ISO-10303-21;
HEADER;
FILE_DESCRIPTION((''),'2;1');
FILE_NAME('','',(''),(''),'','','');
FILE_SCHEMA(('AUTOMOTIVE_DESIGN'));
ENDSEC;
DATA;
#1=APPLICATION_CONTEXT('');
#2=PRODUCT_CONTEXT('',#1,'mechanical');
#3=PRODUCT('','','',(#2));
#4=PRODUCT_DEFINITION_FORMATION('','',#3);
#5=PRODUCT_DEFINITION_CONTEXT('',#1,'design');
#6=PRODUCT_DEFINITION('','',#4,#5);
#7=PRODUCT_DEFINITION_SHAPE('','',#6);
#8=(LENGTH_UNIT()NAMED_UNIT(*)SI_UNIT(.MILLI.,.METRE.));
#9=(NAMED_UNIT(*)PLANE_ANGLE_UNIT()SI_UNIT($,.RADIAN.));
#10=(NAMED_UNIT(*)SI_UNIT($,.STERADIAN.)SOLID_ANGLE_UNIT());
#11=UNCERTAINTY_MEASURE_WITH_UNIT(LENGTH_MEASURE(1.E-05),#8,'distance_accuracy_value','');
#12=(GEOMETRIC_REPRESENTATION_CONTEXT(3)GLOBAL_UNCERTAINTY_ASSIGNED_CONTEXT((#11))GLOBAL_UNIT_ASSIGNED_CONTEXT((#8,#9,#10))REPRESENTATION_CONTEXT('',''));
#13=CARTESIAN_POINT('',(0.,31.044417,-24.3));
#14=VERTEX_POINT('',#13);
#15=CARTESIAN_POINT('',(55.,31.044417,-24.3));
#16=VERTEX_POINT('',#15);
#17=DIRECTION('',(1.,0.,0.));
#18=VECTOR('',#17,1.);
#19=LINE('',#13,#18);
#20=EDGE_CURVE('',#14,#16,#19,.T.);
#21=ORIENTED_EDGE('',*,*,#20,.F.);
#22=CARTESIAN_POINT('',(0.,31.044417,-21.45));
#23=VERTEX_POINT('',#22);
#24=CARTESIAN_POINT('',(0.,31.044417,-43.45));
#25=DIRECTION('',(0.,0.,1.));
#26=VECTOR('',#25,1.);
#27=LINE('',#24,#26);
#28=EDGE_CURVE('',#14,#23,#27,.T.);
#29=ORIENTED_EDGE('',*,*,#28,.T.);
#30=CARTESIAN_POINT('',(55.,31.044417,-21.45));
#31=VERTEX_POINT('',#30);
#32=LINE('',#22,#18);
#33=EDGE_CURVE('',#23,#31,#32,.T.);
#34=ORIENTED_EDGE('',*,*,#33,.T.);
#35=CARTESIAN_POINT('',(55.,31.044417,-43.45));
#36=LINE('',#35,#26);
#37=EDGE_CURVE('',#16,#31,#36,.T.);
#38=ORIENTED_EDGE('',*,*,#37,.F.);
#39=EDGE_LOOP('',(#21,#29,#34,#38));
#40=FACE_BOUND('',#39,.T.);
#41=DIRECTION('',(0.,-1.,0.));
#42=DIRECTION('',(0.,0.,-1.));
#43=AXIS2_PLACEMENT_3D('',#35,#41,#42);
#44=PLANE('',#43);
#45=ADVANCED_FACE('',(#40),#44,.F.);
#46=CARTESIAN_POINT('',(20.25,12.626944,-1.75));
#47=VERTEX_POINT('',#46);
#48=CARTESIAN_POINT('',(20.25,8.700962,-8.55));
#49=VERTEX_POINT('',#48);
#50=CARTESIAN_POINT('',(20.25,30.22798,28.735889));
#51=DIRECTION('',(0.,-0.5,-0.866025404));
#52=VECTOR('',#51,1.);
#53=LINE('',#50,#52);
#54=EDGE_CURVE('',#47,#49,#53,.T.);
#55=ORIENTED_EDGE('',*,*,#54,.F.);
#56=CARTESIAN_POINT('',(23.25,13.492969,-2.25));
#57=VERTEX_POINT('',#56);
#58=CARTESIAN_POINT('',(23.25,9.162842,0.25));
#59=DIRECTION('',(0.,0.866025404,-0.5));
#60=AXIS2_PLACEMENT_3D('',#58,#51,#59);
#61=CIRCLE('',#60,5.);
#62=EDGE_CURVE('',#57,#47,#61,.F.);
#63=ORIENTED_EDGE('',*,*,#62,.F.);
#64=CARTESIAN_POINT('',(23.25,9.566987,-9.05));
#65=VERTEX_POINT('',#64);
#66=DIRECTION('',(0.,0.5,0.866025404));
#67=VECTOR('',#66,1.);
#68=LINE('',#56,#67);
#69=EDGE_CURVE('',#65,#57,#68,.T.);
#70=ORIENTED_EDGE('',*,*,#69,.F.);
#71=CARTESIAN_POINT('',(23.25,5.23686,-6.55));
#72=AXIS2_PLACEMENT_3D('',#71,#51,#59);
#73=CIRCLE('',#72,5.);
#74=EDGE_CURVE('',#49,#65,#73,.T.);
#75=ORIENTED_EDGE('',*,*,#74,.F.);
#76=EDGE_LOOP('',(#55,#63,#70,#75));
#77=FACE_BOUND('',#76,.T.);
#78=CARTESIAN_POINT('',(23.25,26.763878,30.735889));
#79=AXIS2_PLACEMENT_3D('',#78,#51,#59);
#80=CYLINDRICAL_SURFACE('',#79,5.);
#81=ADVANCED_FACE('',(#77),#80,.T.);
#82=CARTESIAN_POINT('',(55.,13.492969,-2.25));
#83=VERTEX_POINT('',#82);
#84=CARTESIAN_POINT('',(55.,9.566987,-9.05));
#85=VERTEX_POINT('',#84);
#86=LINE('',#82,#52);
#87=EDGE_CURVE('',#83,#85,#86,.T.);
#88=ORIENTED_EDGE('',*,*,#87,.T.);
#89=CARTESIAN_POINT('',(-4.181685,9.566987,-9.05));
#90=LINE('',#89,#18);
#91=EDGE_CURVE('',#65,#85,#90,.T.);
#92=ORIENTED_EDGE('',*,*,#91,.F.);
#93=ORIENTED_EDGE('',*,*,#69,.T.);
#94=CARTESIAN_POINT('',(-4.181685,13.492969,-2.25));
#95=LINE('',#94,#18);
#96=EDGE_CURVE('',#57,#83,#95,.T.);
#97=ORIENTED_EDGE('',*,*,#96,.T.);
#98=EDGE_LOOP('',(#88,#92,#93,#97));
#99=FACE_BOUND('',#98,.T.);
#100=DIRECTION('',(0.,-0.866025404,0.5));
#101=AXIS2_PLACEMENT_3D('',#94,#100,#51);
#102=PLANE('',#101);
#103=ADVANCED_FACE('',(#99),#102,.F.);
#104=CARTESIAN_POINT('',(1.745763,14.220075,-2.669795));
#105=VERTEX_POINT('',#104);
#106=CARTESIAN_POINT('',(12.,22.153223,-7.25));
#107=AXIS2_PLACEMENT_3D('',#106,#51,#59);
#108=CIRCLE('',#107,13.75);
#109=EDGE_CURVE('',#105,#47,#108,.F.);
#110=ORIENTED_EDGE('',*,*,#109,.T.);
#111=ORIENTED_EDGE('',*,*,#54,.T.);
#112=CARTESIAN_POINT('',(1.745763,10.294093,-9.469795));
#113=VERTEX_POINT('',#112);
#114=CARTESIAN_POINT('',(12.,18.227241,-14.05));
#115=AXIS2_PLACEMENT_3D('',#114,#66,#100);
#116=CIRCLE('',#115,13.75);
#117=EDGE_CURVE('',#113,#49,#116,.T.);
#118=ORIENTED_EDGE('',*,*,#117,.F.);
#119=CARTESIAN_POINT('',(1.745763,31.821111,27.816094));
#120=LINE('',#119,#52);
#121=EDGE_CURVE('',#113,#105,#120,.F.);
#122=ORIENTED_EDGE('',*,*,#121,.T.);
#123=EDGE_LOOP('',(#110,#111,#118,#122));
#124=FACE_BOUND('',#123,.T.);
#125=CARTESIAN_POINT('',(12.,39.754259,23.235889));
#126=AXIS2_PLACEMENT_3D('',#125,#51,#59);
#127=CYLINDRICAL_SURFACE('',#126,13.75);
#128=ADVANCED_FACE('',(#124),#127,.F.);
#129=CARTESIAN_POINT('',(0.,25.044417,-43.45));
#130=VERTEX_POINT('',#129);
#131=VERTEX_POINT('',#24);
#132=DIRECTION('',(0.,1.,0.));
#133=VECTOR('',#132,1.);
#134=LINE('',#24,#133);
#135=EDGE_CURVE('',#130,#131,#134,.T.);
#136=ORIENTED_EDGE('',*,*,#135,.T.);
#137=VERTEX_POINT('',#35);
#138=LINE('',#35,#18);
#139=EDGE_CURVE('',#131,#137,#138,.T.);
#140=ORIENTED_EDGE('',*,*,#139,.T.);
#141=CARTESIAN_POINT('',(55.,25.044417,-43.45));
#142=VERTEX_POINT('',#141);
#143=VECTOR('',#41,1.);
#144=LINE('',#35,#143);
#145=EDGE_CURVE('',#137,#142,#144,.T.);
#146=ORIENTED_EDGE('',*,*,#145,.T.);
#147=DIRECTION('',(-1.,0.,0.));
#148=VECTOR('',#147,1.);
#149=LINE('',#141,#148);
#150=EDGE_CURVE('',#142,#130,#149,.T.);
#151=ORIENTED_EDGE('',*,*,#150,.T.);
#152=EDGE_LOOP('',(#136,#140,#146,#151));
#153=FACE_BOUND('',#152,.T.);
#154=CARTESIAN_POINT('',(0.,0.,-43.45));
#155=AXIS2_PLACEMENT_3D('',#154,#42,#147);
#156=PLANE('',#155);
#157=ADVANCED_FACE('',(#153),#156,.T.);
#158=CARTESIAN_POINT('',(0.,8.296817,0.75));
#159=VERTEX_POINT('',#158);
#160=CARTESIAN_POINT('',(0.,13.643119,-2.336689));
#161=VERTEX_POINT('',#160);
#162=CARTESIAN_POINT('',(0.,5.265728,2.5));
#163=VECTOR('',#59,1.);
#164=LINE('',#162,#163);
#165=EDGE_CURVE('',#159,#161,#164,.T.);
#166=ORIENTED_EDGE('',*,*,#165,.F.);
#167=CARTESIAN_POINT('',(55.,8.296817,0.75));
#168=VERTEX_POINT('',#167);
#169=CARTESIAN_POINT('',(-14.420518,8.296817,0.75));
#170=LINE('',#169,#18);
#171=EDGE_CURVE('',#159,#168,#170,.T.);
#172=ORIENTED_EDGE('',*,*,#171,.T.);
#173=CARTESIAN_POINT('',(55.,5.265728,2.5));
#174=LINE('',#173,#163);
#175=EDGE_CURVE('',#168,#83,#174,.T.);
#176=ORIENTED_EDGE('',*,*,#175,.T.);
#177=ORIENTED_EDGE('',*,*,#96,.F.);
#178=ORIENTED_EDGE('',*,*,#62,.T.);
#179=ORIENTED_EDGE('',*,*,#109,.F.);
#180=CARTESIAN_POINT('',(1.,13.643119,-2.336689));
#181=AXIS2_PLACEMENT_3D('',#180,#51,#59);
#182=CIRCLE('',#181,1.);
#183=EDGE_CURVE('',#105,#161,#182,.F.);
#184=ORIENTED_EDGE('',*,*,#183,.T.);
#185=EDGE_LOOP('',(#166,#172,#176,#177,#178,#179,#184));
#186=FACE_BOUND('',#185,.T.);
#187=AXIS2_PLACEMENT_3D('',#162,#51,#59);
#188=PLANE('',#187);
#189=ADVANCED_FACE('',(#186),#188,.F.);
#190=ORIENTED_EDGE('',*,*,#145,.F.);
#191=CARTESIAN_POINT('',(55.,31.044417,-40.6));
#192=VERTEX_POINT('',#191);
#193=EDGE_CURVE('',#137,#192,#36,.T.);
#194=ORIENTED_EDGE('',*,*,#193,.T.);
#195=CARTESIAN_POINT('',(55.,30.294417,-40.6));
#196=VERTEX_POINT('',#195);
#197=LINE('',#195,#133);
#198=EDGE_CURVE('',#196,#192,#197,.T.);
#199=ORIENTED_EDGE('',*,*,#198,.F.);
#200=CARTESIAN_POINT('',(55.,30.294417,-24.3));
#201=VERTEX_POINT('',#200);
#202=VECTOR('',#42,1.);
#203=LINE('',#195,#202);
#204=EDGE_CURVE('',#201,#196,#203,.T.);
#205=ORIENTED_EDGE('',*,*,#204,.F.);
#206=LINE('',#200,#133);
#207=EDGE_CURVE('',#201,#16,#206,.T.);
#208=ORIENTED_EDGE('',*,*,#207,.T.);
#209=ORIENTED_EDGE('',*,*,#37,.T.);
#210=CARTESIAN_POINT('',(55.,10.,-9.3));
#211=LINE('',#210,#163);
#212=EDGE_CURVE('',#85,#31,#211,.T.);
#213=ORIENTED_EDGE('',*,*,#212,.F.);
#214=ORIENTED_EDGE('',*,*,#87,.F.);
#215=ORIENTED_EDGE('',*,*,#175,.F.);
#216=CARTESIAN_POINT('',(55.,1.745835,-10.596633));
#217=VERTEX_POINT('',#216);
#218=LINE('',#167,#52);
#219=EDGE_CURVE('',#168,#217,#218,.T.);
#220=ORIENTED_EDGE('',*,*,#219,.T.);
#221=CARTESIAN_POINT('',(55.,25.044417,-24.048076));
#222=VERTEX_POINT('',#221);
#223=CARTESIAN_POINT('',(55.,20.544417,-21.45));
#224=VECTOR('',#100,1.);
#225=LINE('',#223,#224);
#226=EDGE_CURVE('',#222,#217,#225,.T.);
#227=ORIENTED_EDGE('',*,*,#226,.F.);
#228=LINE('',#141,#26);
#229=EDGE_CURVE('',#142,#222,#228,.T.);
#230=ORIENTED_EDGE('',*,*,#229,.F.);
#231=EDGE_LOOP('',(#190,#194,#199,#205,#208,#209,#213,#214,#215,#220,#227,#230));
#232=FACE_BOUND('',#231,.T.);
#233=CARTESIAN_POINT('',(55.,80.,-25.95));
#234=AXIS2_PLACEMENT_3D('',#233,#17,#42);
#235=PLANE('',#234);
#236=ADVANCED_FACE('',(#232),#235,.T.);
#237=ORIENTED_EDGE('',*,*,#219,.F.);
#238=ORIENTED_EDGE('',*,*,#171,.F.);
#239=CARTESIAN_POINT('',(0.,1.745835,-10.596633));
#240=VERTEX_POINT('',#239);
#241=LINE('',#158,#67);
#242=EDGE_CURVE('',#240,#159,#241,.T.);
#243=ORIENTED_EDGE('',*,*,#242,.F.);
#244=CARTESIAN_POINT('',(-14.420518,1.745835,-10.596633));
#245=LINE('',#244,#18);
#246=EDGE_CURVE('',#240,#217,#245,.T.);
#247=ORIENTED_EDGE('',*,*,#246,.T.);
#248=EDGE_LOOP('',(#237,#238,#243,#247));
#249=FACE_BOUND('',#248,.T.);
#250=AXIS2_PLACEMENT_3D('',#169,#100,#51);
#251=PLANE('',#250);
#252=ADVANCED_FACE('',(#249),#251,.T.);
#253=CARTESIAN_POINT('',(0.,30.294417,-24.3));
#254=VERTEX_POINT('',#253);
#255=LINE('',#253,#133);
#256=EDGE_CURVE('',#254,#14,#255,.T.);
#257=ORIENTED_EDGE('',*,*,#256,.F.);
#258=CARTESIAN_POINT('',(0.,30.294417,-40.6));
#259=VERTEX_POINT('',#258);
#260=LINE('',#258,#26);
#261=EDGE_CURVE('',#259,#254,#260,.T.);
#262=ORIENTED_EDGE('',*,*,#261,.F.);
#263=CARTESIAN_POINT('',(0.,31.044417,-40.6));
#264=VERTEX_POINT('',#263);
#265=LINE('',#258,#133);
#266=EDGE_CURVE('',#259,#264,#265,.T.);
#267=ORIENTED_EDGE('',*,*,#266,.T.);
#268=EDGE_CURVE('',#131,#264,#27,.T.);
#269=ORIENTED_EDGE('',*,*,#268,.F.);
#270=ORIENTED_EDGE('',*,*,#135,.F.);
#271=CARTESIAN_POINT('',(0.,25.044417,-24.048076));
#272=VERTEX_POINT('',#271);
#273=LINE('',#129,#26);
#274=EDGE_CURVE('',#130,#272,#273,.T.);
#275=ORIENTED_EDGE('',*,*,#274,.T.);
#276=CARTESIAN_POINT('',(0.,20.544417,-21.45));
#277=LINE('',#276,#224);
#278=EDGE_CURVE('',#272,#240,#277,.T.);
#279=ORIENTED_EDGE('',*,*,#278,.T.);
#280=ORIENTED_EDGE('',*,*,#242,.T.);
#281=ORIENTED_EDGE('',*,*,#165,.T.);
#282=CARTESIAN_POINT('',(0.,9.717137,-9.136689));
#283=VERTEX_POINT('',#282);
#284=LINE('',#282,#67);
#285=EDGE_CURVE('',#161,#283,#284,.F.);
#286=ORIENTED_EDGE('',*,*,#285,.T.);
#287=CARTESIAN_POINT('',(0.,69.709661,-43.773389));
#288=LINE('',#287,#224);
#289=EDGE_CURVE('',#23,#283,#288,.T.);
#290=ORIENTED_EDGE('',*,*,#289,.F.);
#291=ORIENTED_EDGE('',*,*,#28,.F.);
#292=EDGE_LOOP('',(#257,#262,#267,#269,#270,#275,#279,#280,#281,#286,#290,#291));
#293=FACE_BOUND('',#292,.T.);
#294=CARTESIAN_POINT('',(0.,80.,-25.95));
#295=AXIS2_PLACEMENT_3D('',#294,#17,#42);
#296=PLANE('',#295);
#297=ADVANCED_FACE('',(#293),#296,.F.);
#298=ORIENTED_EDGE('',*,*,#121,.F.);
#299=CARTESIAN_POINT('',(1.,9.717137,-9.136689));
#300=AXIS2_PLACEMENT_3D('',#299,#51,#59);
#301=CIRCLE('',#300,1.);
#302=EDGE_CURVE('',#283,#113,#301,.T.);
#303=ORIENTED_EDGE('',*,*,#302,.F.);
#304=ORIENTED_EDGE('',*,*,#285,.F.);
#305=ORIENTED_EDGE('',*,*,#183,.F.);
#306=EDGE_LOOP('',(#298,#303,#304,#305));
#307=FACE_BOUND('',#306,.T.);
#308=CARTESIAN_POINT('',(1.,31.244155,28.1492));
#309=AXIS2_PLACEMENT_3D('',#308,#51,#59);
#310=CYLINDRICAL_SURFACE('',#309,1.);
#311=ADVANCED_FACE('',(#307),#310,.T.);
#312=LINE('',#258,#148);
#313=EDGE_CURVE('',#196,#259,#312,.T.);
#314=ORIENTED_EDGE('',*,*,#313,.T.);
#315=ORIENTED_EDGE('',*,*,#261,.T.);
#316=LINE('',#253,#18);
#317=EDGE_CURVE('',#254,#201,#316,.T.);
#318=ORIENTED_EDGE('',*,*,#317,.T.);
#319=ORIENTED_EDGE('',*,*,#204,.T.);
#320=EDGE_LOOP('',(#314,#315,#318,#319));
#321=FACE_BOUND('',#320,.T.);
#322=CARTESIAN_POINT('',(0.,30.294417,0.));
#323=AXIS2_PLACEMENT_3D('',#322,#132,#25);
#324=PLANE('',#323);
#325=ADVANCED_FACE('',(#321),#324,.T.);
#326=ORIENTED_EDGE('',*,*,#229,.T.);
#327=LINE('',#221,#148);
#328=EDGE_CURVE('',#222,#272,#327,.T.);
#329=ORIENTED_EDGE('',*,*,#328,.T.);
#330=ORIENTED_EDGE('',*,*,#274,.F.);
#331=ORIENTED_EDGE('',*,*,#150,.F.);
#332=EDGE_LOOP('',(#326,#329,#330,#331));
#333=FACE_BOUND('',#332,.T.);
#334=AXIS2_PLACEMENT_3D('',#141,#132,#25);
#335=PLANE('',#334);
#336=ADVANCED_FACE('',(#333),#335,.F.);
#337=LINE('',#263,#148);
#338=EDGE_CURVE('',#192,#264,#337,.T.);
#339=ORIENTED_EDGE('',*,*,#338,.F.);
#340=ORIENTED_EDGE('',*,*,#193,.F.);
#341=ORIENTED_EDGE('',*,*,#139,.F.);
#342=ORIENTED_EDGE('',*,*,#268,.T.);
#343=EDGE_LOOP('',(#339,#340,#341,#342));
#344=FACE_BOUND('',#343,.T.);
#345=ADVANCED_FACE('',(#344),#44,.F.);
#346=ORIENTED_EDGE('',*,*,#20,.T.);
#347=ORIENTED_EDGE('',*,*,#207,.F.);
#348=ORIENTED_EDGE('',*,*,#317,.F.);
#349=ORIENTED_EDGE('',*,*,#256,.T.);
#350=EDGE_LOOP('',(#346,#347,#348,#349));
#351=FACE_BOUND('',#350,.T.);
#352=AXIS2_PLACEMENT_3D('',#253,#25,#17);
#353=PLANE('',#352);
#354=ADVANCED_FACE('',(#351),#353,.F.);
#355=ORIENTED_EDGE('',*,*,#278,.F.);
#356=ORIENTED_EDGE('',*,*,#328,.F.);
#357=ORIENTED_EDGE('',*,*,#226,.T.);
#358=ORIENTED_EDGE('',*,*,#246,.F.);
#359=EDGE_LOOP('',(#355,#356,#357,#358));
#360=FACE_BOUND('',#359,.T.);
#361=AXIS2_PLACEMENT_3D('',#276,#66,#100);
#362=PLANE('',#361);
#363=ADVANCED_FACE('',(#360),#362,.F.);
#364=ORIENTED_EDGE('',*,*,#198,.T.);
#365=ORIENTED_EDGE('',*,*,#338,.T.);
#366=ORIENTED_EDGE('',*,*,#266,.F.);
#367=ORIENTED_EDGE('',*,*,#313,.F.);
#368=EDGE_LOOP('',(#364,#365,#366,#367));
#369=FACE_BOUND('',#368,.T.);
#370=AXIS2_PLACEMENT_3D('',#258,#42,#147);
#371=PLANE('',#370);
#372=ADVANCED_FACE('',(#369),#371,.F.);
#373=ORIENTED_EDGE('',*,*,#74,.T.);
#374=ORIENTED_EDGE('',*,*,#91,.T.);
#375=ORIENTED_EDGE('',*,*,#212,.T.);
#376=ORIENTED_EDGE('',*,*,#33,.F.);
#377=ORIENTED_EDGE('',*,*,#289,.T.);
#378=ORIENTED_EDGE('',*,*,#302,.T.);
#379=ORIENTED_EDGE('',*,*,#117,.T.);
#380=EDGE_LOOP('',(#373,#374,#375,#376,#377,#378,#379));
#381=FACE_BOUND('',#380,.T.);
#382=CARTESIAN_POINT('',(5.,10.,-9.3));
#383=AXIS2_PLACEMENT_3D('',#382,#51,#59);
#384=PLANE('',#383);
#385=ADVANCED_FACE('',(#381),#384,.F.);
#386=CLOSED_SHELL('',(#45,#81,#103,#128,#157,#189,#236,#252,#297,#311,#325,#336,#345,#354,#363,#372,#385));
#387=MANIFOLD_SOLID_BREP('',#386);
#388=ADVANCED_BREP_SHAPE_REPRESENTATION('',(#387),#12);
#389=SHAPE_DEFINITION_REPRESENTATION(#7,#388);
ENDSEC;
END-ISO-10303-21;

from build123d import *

# Parameters (mm, degrees)
BOSS_EXTRUDE1_DEPTH = 80
CUT_EXTRUDE1_DEPTH  = 50
CUT_EXTRUDE2_DEPTH  = 101.49080803735235
BOSS_EXTRUDE2_REACH = 102.491
CUT_EXTRUDE10_DEPTH = 50
SKETCH6_R           = 13.750000000000007
CUT_EXTRUDE3_DEPTH  = 102.06821275824429
CUT_EXTRUDE4_DEPTH  = 101.49080803735237
SKETCH8_R           = 6.000000000000003
CUT_EXTRUDE5_DEPTH  = 73.15845701593427
CUT_EXTRUDE6_DEPTH  = 73.15845701593429
CUT_EXTRUDE7_DEPTH  = 69.27999960632745
FILLET5_R           = 1
FILLET6_R           = 5
CUT_EXTRUDE8_DEPTH  = 67.6997627150144
BOSS_EXTRUDE4_DEPTH = 22
BOSS_EXTRUDE5_DEPTH = 55
CUT_EXTRUDE9_DEPTH  = 0.75
BOSS_EXTRUDE6_DEPTH = 55


with BuildPart() as part:
    # Sketch1 → Boss-Extrude1 (new body)
    with BuildSketch(Plane(origin=(0, 0, 0), x_dir=(1, 0, 0), z_dir=(0, 1, 0))):
        Polygon((-1e-17, 25.95), (55, 25.95), (55.00000000000001, 0), (0, 0), align=None)
    extrude(amount=BOSS_EXTRUDE1_DEPTH)

    # Sketch4 → Cut-Extrude1 (cut)
    with BuildSketch(Plane(origin=(55.00000000000001, 0, -1.471e-14), x_dir=(0, 0, -1), z_dir=(1, 0, 0))):
        Polygon((-77.30254037844365, 60.0000000000004), (-27.30254037844327, 146.60254037844405), (59.300000000000374, 96.60254037844365), (9.299999999999985, 9.999999999999995), align=None)
    extrude(amount=-CUT_EXTRUDE1_DEPTH, mode=Mode.SUBTRACT)

    # Sketch5 → Cut-Extrude2 (cut, through all)
    with BuildSketch(Plane(origin=(55.00000000000001, 0, -1.471e-14), x_dir=(0, 0, -1), z_dir=(1, 0, 0))):
        Polygon((-11.160254037844386, 10.265727792645105), (-6.160254037844387, 18.92598183048949), (2.4999999999999942, 13.925981830489496), (-2.499999999999998, 5.265727792645102), align=None)
    extrude(amount=-CUT_EXTRUDE2_DEPTH, mode=Mode.SUBTRACT)

    # Sketch12 → Boss-Extrude2 (add, up to next)
    with BuildSketch(Plane(origin=(55.00000000000001, 0, -1.471e-14), x_dir=(0, 0, -1), z_dir=(1, 0, 0)), mode=Mode.PRIVATE) as boss_extrude2_sk1:
        Polygon((2.4999999999999942, 13.925981830489496), (9.299999999999985, 9.999999999999995), (9.800000000000008, 10.866025403784473), (2.9999999999999933, 14.792007234273935), align=None)
    boss_extrude2_tool1 = extrude(boss_extrude2_sk1.sketch, amount=-BOSS_EXTRUDE2_REACH, mode=Mode.PRIVATE) - part.part
    add(boss_extrude2_tool1.solids().sort_by_distance((55, 12.396004, -6.15))[0])

    # Sketch21 → Cut-Extrude10 (cut)
    with BuildSketch(Plane(origin=(55.00000000000001, 0, -1.471e-14), x_dir=(-2.7e-16, 0, -1), z_dir=(1, 0, -2.7e-16))):
        Polygon((3.0000000000000075, 14.792007234273937), (2.2500000000000036, 13.49296912859728), (9.050000000000018, 9.566987298107822), (9.800000000000008, 10.866025403784464), align=None)
    extrude(amount=-CUT_EXTRUDE10_DEPTH, mode=Mode.SUBTRACT)

    # Sketch6 → Cut-Extrude3 (cut, through all)
    with BuildSketch(Plane(origin=(0, -1.5270181275976227, -2.6448729810777505), x_dir=(1, 0, 0), z_dir=(0, 0.5000000000000042, 0.8660254037844363))):
        with Locations((12.000000000000004, 22.810254037844377)):
            Circle(SKETCH6_R)
    extrude(amount=CUT_EXTRUDE3_DEPTH, mode=Mode.SUBTRACT)

    # Sketch7 → Cut-Extrude4 (cut, through all)
    with BuildSketch(Plane(origin=(55.00000000000001, 0, -1.471e-14), x_dir=(0, 0, -1), z_dir=(1, 0, 0))):
        Polygon((-1.613e-14, 9.595854811567275), (3.8935696044755734, 16.339715189324856), (10.693569604475588, 12.413733358835394), (66.80169358562932, 109.59585481156728), (25.408423261372093, 109.59585481156728), (-1e-17, 109.59585481156728), align=None)
    extrude(amount=-CUT_EXTRUDE4_DEPTH, mode=Mode.SUBTRACT)

    # Sketch8 → Cut-Extrude5 (cut, through all)
    with BuildSketch(Plane(origin=(0, 0, 0), x_dir=(1, 0, 0), z_dir=(0, 1, 0))):
        with Locations((25.749999999999996, 27.449999999999996)):
            Circle(SKETCH8_R)
    extrude(amount=CUT_EXTRUDE5_DEPTH, mode=Mode.SUBTRACT)

    # Sketch9 → Cut-Extrude6 (cut, through all)
    with BuildSketch(Plane(origin=(55.00000000000001, 0, -1.471e-14), x_dir=(0, 0, -1), z_dir=(1, 0, 0))):
        Polygon((21.449999999999978, 31.044417311961634), (25.94999999999998, 31.044417311961634), (25.94999999999998, 38.8386459460215), align=None)
    extrude(amount=-CUT_EXTRUDE6_DEPTH, mode=Mode.SUBTRACT)

    # Sketch10 → Cut-Extrude7 (cut, through all)
    with BuildSketch(Plane(origin=(0, 0, 0), x_dir=(1, 0, 0), z_dir=(0, 1, 0))):
        Polygon((55.00000000000001, 21.449999999999992), (0, 21.449999999999996), (0, 25.94999999999999), (55.00000000000001, 25.949999999999992), align=None)
    extrude(amount=CUT_EXTRUDE7_DEPTH, mode=Mode.SUBTRACT)

    # Fillet5
    fillet5_edges = [part.edges().sort_by_distance(p)[0] for p in [
        (0, 14.37672427408014, -7.293569604475611),
    ]]
    fillet(fillet5_edges, radius=FILLET5_R)

    # Fillet6
    fillet6_edges = [part.edges().sort_by_distance(p)[0] for p in [
        (21.437293044088527, 11.52997821335257, -5.650000000000027),
    ]]
    fillet(fillet6_edges, radius=FILLET6_R)

    # Sketch16 → Cut-Extrude8 (cut, through all)
    with BuildSketch(Plane(origin=(55.00000000000001, 0, -1.471e-14), x_dir=(0, 0, -1), z_dir=(1, 0, 0))):
        Polygon((21.44999999999998, 20.54441731196163), (11.346633369868394, 3.04487298107776), (-1.613e-14, 9.595854811567275), (1.8e-15, 0), (21.44999999999998, 0), align=None)
    extrude(amount=-CUT_EXTRUDE8_DEPTH, mode=Mode.SUBTRACT)

    # Sketch17 → Boss-Extrude4 (add)
    with BuildSketch(Plane(origin=(1.35e-15, 0, -21.449999999999996), x_dir=(-1, 0, 0), z_dir=(0, 0, -1))):
        Polygon((-55.00000000000001, 31.044417311961634), (1.35e-15, 31.044417311961634), (7.2e-16, 25.044417311961638), (-55.00000000000001, 25.044417311961638), align=None)
    extrude(amount=BOSS_EXTRUDE4_DEPTH)

    # Sketch18 → Boss-Extrude5 (add)
    with BuildSketch(Plane(origin=(55.00000000000001, 0, -1.471e-14), x_dir=(-2.4e-16, 0, -1), z_dir=(1, 0, -2.4e-16))):
        Polygon((16.39831668493419, 11.794645146519695), (27.51217782649105, 31.044417311961634), (21.449999999999978, 31.044417311961634), (11.8516833150658, 14.419645146519745), align=None)
    extrude(amount=-BOSS_EXTRUDE5_DEPTH)

    # Sketch19 → Cut-Extrude9 (cut)
    with BuildSketch(Plane(origin=(0, 31.044417311961634, 0), x_dir=(1, 0, 0), z_dir=(0, 1, 0))):
        Polygon((1e-15, 40.599999999999994), (55.00000000000001, 40.6), (55.00000000000001, 24.29999999999999), (2e-15, 24.29999999999999), align=None)
    extrude(amount=-CUT_EXTRUDE9_DEPTH, mode=Mode.SUBTRACT)

    # Sketch20 → Boss-Extrude6 (add)
    with BuildSketch(Plane(origin=(55.00000000000001, 0, -1.471e-14), x_dir=(-2.4e-16, 0, -1), z_dir=(1, 0, -2.4e-16))):
        Polygon((-1.613e-14, 9.595854811567275), (-0.7500000000000167, 8.296816705890615), (10.59663336986839, 1.7458348754011042), (11.346633369868393, 3.04487298107776), align=None)
    extrude(amount=-BOSS_EXTRUDE6_DEPTH)


solid = part.part
